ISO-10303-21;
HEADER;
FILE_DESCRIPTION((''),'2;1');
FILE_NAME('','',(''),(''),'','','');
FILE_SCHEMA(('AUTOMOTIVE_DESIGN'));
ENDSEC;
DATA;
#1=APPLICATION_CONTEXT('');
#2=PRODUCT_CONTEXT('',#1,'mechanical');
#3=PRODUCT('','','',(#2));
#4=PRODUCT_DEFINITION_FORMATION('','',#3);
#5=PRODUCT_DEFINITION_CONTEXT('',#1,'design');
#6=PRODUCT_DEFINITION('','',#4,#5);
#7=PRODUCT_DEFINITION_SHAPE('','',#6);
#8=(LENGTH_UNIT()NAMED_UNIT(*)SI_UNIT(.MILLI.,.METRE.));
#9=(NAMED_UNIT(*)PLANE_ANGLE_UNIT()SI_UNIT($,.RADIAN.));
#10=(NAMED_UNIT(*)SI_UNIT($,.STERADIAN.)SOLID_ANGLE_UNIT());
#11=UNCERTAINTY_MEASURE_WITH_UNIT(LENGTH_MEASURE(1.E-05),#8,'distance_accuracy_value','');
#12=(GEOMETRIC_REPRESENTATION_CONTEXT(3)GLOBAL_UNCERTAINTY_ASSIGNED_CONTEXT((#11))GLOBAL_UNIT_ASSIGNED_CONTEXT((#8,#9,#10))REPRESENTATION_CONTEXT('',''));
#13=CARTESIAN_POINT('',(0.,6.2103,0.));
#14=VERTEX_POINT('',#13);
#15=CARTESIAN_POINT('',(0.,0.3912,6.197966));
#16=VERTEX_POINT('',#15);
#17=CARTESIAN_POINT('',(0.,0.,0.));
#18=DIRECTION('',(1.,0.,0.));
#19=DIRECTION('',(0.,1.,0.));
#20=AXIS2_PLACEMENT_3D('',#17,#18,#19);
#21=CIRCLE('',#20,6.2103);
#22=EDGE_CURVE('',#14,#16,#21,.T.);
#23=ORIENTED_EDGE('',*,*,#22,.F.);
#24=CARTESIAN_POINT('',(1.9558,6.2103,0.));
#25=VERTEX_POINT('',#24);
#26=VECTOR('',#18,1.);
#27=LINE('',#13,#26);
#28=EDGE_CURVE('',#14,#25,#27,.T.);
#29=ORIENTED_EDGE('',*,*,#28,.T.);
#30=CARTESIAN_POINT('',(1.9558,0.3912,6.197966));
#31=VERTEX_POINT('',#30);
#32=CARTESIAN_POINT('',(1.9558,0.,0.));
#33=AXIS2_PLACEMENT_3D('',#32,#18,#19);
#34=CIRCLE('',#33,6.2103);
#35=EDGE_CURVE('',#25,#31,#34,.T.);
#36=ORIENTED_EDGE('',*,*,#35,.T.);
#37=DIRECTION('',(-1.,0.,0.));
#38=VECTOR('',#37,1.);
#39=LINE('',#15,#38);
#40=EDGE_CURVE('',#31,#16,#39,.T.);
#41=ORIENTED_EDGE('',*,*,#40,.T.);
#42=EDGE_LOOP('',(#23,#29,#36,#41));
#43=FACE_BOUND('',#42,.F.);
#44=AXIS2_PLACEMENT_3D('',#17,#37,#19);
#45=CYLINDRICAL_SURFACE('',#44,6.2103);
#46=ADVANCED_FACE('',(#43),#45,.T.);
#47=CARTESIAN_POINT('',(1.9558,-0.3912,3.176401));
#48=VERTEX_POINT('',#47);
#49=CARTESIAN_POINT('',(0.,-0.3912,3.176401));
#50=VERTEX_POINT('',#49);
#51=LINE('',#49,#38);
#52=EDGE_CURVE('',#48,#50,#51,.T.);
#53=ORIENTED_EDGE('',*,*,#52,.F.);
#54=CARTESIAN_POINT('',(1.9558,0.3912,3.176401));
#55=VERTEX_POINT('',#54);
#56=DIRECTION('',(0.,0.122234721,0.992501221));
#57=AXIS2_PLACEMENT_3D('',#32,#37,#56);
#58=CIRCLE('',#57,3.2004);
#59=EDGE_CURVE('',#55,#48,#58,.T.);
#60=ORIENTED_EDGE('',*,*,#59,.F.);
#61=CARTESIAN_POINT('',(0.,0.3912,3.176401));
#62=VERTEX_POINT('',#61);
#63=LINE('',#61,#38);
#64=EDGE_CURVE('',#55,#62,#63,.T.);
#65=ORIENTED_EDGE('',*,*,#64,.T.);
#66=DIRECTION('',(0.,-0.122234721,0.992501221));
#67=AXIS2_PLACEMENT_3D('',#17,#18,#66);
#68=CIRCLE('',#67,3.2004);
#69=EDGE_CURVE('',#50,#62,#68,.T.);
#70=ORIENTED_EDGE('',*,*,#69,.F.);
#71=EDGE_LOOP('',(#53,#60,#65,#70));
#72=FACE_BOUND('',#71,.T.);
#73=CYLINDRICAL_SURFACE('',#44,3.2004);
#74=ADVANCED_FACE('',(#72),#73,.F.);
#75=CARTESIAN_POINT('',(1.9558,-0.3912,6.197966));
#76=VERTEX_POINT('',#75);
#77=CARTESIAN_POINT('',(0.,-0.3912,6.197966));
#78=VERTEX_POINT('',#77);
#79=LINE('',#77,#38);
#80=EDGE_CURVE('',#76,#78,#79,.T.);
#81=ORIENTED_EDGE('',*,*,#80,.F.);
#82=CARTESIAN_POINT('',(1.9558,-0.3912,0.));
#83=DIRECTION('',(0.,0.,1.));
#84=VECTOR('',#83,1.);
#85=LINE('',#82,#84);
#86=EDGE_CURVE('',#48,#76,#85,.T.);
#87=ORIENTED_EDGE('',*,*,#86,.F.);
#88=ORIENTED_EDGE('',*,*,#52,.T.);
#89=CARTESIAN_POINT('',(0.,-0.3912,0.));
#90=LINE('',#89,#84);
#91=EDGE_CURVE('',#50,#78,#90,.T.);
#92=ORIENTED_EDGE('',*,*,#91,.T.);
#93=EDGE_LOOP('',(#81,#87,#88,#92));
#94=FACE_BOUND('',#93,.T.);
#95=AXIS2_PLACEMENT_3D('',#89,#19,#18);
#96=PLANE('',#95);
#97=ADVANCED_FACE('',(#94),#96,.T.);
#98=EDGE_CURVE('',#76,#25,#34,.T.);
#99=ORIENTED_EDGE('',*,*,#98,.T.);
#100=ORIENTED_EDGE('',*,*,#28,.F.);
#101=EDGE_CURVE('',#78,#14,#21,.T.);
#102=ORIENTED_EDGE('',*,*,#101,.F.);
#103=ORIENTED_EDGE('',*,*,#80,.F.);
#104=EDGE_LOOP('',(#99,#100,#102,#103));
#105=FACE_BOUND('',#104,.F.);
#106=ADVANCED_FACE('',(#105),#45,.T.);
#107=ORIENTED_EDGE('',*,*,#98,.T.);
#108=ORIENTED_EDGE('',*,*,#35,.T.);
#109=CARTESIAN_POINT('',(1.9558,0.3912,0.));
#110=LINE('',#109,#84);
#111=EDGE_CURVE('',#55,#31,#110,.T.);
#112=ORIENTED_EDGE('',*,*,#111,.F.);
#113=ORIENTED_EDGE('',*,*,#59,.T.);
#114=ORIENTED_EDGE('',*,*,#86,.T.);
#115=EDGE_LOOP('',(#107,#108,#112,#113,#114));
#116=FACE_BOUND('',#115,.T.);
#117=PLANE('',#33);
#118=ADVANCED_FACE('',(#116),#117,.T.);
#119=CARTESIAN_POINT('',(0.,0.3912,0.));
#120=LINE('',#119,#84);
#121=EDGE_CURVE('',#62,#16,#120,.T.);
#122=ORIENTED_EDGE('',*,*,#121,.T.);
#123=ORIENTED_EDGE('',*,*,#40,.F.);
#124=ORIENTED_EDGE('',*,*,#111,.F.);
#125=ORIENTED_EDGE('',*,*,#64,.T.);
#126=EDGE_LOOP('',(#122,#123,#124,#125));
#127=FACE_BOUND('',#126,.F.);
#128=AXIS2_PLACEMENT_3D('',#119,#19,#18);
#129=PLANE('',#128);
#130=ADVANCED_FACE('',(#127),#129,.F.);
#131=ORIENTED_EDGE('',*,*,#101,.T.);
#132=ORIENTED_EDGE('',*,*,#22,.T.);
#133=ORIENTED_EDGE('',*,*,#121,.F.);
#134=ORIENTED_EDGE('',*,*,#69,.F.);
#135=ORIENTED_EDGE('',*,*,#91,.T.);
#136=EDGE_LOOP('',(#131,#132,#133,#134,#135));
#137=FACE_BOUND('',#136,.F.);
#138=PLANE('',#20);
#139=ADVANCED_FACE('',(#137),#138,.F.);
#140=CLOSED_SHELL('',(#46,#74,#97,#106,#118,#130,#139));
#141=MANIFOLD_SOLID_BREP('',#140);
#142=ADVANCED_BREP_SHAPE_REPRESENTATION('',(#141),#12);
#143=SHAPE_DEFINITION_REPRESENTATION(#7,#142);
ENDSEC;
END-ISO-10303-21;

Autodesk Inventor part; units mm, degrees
ref_plane "YZ Plane" through (0, 0, 0) normal (1, 0, 0) x (0, 1, 0)
ref_plane "XZ Plane" through (0, 0, 0) normal (0, 1, 0) x (-1, 0, 0)
sketch "Sketch1" plane through (0, 0, 0) normal (1, 0, 0) x (0, 1, 0)
  circle A0 centre (0, 0) radius 6.2103
  circle A1 centre (0, 0) radius 3.2004
  dimension "d0" = 6.4008
  dimension "d1" = 12.4206
extrude "Body" add sketch "Sketch1" along normal blind 1.9558
sketch "Sketch2" plane through (0, 0, 0) normal (0, 0, 1) x (1, 0, 0)
  line L0 (0, -3.2004) -> (0, 3.2004) projected
  line L1 (1.9558, 6.2103) -> (1.9558, -6.2103) projected
  line L2 (-1.2, 0) -> (7.2, 0) projected
  line L3 (0, -0.3912) -> (1.9558, -0.3912)
  line L4 (0, 0.3912) -> (1.9558, 0.3912)
  dimension "d4" = 0.3912
  dimension "d5" = 0.3912
  dimension "d6" = 90
extrude "Cut" cut sketch "Sketch2" along normal up to next
ref_plane "Work Plane1" through (0, 0, 0) normal (0, -1, 0) x (1, 0, 0)
equation "\"d0\" = SD1"
equation "\"d1\" = SD2"
equation "\"d2\" = SD"
equation "\"d4\" = 0.2 * SD"
equation "\"d5\" = 0.2 * SD"
equation "\"d6\" = FAWI"
equation "\"d7\" = SD"
equation "\"SD1\" = 6.4008"
equation "\"SD2\" = 12.4206"
equation "\"SD\" = 1.9558"
equation "\"FAWI\" = 90deg"
equation "\"NND\" = 6.35"
properties part number "ASME B18.21.1 - 1/4" material "Steel, Mild"
